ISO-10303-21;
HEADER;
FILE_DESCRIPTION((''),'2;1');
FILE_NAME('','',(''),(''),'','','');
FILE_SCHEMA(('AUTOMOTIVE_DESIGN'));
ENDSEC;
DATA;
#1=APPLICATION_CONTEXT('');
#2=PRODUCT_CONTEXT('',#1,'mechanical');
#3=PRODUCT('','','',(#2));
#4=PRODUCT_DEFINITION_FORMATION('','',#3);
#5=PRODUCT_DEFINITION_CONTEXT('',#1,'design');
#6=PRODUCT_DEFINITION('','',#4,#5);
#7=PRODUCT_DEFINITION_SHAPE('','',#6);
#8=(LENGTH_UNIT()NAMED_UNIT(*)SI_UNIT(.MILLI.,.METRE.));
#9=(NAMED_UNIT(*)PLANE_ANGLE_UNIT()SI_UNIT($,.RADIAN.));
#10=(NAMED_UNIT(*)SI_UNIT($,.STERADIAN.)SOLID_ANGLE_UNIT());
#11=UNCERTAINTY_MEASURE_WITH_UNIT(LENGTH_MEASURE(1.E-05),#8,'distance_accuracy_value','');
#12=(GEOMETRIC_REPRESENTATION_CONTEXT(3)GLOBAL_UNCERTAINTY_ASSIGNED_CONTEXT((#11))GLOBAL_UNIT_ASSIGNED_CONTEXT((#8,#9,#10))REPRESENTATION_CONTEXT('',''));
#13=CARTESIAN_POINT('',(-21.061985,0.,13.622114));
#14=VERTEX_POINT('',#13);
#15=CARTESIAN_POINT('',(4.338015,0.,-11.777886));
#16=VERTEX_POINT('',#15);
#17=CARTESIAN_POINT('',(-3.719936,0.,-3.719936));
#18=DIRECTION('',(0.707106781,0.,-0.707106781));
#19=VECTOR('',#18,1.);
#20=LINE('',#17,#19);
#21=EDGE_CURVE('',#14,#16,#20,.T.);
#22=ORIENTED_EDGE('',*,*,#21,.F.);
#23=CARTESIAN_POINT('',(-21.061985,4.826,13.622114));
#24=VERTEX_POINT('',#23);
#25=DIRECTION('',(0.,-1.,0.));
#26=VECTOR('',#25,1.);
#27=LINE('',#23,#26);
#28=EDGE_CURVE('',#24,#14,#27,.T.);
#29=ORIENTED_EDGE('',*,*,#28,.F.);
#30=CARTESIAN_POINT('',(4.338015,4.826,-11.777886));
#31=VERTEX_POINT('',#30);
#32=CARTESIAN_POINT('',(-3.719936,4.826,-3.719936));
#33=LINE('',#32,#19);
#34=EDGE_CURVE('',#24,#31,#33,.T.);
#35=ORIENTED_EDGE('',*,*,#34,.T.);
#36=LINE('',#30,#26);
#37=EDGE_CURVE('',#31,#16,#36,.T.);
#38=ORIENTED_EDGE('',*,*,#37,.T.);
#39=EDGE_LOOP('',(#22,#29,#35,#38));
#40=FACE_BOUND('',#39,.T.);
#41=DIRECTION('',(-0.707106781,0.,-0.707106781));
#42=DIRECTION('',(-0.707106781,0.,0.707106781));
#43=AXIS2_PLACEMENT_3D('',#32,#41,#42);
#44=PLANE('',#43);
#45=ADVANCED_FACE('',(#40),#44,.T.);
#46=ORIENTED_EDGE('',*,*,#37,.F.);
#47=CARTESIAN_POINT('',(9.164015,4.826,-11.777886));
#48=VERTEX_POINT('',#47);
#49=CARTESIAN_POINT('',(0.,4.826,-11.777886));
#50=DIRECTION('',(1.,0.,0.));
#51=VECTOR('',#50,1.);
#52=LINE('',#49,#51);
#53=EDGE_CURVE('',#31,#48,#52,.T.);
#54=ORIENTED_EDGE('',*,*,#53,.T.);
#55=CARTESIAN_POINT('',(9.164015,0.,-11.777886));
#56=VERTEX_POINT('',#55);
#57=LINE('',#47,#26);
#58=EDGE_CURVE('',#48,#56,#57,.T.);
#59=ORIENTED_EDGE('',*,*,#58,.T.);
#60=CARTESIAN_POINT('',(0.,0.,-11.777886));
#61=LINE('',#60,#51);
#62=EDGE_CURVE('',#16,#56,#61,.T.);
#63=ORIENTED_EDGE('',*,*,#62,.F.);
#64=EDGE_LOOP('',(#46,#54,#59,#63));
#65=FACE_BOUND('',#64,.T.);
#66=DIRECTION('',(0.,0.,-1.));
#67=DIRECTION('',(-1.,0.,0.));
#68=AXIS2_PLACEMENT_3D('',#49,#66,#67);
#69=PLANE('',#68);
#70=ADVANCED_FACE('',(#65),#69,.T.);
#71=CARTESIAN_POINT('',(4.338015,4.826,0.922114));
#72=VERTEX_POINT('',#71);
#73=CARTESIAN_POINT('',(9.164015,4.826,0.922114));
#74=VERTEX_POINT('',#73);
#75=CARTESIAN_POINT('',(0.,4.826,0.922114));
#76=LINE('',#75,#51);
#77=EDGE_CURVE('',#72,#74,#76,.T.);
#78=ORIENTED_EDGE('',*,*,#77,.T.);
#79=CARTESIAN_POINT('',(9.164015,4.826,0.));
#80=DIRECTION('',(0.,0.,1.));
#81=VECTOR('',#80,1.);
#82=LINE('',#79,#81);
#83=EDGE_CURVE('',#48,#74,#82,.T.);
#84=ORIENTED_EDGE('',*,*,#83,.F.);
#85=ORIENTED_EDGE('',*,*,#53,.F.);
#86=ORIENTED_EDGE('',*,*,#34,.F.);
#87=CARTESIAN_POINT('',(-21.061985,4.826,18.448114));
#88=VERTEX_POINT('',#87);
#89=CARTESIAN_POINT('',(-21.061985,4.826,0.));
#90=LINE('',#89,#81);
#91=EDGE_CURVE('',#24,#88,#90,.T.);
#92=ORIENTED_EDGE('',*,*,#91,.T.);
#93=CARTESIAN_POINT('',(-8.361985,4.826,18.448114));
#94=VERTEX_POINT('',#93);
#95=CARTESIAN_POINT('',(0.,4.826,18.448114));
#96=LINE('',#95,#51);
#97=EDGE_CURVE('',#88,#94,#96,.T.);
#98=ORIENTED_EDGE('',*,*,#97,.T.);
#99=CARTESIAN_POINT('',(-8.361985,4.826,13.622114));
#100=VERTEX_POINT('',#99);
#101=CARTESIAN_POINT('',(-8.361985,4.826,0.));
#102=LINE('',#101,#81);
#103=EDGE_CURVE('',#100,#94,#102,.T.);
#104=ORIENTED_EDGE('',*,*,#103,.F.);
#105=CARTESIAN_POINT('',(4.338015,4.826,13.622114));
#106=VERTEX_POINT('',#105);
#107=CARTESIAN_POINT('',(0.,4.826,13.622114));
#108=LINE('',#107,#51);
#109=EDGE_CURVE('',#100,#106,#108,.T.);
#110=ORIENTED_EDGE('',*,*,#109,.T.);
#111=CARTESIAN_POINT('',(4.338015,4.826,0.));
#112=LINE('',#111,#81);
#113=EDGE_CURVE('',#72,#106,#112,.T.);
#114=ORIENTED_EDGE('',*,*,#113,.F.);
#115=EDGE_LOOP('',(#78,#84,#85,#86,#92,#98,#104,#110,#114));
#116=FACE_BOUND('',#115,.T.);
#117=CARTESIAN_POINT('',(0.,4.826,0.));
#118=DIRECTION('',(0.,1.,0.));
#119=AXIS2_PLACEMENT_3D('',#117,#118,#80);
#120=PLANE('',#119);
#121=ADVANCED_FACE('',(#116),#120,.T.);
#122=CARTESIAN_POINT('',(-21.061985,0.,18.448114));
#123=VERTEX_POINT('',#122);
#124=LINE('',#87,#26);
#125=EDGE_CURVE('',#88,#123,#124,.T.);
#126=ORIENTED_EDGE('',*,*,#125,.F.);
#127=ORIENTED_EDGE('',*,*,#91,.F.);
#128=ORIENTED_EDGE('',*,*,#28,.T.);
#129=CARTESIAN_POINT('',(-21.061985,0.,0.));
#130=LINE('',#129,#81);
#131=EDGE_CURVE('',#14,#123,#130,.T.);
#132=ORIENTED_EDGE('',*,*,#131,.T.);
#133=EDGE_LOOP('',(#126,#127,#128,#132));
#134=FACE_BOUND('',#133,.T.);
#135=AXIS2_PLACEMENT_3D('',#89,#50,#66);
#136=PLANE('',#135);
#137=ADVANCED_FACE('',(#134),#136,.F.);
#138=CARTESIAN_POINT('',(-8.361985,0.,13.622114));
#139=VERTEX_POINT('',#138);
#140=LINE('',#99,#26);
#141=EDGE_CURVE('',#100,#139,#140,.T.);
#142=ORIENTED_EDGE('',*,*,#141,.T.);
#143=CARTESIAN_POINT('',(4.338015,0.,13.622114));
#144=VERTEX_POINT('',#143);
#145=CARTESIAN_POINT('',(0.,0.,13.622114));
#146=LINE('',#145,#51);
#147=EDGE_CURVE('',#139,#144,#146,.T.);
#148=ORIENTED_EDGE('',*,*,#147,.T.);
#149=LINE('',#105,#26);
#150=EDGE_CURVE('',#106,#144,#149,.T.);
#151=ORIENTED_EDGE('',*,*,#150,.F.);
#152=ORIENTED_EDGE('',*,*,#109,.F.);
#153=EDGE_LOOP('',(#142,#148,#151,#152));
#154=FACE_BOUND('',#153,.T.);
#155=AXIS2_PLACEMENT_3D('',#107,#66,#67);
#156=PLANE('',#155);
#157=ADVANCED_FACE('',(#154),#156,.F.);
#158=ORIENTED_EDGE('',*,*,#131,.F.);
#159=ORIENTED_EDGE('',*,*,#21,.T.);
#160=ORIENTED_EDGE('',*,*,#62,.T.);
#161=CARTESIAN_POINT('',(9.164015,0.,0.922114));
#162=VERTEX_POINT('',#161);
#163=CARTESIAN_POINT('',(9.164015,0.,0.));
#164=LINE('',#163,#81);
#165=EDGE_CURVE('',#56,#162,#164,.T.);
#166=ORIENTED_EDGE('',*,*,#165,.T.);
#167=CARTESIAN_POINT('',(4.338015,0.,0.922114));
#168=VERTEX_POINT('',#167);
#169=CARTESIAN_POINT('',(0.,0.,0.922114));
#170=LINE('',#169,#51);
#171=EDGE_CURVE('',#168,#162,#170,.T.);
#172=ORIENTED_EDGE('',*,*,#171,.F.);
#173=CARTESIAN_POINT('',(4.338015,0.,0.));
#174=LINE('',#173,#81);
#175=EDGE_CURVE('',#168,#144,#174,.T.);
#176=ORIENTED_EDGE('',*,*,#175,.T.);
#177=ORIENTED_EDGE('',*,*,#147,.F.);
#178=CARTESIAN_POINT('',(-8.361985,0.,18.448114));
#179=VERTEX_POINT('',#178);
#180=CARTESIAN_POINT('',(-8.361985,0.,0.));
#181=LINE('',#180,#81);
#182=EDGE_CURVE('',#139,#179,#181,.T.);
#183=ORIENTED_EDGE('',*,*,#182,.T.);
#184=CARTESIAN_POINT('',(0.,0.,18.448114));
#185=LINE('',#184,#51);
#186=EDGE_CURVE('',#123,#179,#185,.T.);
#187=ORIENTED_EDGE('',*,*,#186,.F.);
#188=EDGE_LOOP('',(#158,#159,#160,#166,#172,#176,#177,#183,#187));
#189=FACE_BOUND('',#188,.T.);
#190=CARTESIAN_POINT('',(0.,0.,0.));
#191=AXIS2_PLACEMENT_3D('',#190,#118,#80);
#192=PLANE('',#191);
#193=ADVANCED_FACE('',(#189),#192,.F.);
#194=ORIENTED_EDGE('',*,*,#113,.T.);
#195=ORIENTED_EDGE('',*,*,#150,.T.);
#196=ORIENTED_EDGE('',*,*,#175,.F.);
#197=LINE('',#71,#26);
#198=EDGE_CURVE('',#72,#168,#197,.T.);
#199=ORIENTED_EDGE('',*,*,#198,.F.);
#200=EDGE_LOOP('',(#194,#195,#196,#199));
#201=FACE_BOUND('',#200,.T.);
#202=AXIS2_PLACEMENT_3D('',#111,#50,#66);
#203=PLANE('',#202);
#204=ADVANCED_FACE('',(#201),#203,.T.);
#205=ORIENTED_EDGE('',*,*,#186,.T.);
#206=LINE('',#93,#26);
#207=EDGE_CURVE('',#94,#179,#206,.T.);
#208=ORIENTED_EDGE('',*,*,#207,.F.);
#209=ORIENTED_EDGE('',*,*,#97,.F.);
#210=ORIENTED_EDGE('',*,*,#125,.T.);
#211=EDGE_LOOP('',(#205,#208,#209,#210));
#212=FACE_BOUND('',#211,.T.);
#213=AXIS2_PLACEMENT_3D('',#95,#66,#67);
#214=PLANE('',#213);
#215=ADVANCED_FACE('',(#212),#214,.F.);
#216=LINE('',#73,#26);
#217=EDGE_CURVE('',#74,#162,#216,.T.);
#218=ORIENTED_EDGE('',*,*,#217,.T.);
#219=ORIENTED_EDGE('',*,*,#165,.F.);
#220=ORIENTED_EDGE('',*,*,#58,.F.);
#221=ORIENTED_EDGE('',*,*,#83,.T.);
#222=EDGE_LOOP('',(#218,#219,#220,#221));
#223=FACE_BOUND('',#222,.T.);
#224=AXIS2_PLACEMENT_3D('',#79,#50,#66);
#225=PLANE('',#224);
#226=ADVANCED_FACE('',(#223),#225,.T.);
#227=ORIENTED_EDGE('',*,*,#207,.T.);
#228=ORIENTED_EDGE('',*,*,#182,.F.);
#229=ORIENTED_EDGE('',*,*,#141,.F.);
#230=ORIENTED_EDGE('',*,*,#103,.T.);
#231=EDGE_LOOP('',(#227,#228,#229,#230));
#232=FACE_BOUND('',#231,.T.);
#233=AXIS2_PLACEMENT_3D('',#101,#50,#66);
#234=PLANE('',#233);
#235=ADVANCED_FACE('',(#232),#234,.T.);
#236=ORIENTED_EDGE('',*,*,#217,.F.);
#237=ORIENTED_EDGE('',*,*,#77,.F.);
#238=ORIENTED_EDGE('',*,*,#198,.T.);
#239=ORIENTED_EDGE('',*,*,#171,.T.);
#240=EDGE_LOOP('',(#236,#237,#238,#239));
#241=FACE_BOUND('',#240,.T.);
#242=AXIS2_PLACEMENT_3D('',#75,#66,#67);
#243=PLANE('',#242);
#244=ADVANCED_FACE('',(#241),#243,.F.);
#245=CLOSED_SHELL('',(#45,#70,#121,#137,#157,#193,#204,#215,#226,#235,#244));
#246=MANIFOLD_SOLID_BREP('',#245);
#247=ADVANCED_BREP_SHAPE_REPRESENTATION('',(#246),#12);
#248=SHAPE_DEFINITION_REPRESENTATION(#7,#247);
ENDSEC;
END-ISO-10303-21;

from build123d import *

# Parameters (mm, degrees)
SKETCH1_W           = 12.7
SKETCH1_H           = 4.826
SKETCH1_W_2         = 4.826
SKETCH1_H_2         = 12.7
BOSS_EXTRUDE1_DEPTH = 4.826


with BuildPart() as part:
    # Sketch1 → Boss-Extrude1 (new body)
    with BuildSketch(Plane(origin=(0, 0, 0), x_dir=(1, 0, 0), z_dir=(0, 1, 0))):
        with Locations((-14.711985437, -16.035114223)):
            Rectangle(SKETCH1_W, SKETCH1_H)
        Polygon((4.338014563, 11.777885777), (4.338014563, -13.622114223), (-21.061985437, -13.622114223), align=None)
        with Locations((6.751014563, 5.427885777)):
            Rectangle(SKETCH1_W_2, SKETCH1_H_2)
    extrude(amount=BOSS_EXTRUDE1_DEPTH)


solid = part.part
